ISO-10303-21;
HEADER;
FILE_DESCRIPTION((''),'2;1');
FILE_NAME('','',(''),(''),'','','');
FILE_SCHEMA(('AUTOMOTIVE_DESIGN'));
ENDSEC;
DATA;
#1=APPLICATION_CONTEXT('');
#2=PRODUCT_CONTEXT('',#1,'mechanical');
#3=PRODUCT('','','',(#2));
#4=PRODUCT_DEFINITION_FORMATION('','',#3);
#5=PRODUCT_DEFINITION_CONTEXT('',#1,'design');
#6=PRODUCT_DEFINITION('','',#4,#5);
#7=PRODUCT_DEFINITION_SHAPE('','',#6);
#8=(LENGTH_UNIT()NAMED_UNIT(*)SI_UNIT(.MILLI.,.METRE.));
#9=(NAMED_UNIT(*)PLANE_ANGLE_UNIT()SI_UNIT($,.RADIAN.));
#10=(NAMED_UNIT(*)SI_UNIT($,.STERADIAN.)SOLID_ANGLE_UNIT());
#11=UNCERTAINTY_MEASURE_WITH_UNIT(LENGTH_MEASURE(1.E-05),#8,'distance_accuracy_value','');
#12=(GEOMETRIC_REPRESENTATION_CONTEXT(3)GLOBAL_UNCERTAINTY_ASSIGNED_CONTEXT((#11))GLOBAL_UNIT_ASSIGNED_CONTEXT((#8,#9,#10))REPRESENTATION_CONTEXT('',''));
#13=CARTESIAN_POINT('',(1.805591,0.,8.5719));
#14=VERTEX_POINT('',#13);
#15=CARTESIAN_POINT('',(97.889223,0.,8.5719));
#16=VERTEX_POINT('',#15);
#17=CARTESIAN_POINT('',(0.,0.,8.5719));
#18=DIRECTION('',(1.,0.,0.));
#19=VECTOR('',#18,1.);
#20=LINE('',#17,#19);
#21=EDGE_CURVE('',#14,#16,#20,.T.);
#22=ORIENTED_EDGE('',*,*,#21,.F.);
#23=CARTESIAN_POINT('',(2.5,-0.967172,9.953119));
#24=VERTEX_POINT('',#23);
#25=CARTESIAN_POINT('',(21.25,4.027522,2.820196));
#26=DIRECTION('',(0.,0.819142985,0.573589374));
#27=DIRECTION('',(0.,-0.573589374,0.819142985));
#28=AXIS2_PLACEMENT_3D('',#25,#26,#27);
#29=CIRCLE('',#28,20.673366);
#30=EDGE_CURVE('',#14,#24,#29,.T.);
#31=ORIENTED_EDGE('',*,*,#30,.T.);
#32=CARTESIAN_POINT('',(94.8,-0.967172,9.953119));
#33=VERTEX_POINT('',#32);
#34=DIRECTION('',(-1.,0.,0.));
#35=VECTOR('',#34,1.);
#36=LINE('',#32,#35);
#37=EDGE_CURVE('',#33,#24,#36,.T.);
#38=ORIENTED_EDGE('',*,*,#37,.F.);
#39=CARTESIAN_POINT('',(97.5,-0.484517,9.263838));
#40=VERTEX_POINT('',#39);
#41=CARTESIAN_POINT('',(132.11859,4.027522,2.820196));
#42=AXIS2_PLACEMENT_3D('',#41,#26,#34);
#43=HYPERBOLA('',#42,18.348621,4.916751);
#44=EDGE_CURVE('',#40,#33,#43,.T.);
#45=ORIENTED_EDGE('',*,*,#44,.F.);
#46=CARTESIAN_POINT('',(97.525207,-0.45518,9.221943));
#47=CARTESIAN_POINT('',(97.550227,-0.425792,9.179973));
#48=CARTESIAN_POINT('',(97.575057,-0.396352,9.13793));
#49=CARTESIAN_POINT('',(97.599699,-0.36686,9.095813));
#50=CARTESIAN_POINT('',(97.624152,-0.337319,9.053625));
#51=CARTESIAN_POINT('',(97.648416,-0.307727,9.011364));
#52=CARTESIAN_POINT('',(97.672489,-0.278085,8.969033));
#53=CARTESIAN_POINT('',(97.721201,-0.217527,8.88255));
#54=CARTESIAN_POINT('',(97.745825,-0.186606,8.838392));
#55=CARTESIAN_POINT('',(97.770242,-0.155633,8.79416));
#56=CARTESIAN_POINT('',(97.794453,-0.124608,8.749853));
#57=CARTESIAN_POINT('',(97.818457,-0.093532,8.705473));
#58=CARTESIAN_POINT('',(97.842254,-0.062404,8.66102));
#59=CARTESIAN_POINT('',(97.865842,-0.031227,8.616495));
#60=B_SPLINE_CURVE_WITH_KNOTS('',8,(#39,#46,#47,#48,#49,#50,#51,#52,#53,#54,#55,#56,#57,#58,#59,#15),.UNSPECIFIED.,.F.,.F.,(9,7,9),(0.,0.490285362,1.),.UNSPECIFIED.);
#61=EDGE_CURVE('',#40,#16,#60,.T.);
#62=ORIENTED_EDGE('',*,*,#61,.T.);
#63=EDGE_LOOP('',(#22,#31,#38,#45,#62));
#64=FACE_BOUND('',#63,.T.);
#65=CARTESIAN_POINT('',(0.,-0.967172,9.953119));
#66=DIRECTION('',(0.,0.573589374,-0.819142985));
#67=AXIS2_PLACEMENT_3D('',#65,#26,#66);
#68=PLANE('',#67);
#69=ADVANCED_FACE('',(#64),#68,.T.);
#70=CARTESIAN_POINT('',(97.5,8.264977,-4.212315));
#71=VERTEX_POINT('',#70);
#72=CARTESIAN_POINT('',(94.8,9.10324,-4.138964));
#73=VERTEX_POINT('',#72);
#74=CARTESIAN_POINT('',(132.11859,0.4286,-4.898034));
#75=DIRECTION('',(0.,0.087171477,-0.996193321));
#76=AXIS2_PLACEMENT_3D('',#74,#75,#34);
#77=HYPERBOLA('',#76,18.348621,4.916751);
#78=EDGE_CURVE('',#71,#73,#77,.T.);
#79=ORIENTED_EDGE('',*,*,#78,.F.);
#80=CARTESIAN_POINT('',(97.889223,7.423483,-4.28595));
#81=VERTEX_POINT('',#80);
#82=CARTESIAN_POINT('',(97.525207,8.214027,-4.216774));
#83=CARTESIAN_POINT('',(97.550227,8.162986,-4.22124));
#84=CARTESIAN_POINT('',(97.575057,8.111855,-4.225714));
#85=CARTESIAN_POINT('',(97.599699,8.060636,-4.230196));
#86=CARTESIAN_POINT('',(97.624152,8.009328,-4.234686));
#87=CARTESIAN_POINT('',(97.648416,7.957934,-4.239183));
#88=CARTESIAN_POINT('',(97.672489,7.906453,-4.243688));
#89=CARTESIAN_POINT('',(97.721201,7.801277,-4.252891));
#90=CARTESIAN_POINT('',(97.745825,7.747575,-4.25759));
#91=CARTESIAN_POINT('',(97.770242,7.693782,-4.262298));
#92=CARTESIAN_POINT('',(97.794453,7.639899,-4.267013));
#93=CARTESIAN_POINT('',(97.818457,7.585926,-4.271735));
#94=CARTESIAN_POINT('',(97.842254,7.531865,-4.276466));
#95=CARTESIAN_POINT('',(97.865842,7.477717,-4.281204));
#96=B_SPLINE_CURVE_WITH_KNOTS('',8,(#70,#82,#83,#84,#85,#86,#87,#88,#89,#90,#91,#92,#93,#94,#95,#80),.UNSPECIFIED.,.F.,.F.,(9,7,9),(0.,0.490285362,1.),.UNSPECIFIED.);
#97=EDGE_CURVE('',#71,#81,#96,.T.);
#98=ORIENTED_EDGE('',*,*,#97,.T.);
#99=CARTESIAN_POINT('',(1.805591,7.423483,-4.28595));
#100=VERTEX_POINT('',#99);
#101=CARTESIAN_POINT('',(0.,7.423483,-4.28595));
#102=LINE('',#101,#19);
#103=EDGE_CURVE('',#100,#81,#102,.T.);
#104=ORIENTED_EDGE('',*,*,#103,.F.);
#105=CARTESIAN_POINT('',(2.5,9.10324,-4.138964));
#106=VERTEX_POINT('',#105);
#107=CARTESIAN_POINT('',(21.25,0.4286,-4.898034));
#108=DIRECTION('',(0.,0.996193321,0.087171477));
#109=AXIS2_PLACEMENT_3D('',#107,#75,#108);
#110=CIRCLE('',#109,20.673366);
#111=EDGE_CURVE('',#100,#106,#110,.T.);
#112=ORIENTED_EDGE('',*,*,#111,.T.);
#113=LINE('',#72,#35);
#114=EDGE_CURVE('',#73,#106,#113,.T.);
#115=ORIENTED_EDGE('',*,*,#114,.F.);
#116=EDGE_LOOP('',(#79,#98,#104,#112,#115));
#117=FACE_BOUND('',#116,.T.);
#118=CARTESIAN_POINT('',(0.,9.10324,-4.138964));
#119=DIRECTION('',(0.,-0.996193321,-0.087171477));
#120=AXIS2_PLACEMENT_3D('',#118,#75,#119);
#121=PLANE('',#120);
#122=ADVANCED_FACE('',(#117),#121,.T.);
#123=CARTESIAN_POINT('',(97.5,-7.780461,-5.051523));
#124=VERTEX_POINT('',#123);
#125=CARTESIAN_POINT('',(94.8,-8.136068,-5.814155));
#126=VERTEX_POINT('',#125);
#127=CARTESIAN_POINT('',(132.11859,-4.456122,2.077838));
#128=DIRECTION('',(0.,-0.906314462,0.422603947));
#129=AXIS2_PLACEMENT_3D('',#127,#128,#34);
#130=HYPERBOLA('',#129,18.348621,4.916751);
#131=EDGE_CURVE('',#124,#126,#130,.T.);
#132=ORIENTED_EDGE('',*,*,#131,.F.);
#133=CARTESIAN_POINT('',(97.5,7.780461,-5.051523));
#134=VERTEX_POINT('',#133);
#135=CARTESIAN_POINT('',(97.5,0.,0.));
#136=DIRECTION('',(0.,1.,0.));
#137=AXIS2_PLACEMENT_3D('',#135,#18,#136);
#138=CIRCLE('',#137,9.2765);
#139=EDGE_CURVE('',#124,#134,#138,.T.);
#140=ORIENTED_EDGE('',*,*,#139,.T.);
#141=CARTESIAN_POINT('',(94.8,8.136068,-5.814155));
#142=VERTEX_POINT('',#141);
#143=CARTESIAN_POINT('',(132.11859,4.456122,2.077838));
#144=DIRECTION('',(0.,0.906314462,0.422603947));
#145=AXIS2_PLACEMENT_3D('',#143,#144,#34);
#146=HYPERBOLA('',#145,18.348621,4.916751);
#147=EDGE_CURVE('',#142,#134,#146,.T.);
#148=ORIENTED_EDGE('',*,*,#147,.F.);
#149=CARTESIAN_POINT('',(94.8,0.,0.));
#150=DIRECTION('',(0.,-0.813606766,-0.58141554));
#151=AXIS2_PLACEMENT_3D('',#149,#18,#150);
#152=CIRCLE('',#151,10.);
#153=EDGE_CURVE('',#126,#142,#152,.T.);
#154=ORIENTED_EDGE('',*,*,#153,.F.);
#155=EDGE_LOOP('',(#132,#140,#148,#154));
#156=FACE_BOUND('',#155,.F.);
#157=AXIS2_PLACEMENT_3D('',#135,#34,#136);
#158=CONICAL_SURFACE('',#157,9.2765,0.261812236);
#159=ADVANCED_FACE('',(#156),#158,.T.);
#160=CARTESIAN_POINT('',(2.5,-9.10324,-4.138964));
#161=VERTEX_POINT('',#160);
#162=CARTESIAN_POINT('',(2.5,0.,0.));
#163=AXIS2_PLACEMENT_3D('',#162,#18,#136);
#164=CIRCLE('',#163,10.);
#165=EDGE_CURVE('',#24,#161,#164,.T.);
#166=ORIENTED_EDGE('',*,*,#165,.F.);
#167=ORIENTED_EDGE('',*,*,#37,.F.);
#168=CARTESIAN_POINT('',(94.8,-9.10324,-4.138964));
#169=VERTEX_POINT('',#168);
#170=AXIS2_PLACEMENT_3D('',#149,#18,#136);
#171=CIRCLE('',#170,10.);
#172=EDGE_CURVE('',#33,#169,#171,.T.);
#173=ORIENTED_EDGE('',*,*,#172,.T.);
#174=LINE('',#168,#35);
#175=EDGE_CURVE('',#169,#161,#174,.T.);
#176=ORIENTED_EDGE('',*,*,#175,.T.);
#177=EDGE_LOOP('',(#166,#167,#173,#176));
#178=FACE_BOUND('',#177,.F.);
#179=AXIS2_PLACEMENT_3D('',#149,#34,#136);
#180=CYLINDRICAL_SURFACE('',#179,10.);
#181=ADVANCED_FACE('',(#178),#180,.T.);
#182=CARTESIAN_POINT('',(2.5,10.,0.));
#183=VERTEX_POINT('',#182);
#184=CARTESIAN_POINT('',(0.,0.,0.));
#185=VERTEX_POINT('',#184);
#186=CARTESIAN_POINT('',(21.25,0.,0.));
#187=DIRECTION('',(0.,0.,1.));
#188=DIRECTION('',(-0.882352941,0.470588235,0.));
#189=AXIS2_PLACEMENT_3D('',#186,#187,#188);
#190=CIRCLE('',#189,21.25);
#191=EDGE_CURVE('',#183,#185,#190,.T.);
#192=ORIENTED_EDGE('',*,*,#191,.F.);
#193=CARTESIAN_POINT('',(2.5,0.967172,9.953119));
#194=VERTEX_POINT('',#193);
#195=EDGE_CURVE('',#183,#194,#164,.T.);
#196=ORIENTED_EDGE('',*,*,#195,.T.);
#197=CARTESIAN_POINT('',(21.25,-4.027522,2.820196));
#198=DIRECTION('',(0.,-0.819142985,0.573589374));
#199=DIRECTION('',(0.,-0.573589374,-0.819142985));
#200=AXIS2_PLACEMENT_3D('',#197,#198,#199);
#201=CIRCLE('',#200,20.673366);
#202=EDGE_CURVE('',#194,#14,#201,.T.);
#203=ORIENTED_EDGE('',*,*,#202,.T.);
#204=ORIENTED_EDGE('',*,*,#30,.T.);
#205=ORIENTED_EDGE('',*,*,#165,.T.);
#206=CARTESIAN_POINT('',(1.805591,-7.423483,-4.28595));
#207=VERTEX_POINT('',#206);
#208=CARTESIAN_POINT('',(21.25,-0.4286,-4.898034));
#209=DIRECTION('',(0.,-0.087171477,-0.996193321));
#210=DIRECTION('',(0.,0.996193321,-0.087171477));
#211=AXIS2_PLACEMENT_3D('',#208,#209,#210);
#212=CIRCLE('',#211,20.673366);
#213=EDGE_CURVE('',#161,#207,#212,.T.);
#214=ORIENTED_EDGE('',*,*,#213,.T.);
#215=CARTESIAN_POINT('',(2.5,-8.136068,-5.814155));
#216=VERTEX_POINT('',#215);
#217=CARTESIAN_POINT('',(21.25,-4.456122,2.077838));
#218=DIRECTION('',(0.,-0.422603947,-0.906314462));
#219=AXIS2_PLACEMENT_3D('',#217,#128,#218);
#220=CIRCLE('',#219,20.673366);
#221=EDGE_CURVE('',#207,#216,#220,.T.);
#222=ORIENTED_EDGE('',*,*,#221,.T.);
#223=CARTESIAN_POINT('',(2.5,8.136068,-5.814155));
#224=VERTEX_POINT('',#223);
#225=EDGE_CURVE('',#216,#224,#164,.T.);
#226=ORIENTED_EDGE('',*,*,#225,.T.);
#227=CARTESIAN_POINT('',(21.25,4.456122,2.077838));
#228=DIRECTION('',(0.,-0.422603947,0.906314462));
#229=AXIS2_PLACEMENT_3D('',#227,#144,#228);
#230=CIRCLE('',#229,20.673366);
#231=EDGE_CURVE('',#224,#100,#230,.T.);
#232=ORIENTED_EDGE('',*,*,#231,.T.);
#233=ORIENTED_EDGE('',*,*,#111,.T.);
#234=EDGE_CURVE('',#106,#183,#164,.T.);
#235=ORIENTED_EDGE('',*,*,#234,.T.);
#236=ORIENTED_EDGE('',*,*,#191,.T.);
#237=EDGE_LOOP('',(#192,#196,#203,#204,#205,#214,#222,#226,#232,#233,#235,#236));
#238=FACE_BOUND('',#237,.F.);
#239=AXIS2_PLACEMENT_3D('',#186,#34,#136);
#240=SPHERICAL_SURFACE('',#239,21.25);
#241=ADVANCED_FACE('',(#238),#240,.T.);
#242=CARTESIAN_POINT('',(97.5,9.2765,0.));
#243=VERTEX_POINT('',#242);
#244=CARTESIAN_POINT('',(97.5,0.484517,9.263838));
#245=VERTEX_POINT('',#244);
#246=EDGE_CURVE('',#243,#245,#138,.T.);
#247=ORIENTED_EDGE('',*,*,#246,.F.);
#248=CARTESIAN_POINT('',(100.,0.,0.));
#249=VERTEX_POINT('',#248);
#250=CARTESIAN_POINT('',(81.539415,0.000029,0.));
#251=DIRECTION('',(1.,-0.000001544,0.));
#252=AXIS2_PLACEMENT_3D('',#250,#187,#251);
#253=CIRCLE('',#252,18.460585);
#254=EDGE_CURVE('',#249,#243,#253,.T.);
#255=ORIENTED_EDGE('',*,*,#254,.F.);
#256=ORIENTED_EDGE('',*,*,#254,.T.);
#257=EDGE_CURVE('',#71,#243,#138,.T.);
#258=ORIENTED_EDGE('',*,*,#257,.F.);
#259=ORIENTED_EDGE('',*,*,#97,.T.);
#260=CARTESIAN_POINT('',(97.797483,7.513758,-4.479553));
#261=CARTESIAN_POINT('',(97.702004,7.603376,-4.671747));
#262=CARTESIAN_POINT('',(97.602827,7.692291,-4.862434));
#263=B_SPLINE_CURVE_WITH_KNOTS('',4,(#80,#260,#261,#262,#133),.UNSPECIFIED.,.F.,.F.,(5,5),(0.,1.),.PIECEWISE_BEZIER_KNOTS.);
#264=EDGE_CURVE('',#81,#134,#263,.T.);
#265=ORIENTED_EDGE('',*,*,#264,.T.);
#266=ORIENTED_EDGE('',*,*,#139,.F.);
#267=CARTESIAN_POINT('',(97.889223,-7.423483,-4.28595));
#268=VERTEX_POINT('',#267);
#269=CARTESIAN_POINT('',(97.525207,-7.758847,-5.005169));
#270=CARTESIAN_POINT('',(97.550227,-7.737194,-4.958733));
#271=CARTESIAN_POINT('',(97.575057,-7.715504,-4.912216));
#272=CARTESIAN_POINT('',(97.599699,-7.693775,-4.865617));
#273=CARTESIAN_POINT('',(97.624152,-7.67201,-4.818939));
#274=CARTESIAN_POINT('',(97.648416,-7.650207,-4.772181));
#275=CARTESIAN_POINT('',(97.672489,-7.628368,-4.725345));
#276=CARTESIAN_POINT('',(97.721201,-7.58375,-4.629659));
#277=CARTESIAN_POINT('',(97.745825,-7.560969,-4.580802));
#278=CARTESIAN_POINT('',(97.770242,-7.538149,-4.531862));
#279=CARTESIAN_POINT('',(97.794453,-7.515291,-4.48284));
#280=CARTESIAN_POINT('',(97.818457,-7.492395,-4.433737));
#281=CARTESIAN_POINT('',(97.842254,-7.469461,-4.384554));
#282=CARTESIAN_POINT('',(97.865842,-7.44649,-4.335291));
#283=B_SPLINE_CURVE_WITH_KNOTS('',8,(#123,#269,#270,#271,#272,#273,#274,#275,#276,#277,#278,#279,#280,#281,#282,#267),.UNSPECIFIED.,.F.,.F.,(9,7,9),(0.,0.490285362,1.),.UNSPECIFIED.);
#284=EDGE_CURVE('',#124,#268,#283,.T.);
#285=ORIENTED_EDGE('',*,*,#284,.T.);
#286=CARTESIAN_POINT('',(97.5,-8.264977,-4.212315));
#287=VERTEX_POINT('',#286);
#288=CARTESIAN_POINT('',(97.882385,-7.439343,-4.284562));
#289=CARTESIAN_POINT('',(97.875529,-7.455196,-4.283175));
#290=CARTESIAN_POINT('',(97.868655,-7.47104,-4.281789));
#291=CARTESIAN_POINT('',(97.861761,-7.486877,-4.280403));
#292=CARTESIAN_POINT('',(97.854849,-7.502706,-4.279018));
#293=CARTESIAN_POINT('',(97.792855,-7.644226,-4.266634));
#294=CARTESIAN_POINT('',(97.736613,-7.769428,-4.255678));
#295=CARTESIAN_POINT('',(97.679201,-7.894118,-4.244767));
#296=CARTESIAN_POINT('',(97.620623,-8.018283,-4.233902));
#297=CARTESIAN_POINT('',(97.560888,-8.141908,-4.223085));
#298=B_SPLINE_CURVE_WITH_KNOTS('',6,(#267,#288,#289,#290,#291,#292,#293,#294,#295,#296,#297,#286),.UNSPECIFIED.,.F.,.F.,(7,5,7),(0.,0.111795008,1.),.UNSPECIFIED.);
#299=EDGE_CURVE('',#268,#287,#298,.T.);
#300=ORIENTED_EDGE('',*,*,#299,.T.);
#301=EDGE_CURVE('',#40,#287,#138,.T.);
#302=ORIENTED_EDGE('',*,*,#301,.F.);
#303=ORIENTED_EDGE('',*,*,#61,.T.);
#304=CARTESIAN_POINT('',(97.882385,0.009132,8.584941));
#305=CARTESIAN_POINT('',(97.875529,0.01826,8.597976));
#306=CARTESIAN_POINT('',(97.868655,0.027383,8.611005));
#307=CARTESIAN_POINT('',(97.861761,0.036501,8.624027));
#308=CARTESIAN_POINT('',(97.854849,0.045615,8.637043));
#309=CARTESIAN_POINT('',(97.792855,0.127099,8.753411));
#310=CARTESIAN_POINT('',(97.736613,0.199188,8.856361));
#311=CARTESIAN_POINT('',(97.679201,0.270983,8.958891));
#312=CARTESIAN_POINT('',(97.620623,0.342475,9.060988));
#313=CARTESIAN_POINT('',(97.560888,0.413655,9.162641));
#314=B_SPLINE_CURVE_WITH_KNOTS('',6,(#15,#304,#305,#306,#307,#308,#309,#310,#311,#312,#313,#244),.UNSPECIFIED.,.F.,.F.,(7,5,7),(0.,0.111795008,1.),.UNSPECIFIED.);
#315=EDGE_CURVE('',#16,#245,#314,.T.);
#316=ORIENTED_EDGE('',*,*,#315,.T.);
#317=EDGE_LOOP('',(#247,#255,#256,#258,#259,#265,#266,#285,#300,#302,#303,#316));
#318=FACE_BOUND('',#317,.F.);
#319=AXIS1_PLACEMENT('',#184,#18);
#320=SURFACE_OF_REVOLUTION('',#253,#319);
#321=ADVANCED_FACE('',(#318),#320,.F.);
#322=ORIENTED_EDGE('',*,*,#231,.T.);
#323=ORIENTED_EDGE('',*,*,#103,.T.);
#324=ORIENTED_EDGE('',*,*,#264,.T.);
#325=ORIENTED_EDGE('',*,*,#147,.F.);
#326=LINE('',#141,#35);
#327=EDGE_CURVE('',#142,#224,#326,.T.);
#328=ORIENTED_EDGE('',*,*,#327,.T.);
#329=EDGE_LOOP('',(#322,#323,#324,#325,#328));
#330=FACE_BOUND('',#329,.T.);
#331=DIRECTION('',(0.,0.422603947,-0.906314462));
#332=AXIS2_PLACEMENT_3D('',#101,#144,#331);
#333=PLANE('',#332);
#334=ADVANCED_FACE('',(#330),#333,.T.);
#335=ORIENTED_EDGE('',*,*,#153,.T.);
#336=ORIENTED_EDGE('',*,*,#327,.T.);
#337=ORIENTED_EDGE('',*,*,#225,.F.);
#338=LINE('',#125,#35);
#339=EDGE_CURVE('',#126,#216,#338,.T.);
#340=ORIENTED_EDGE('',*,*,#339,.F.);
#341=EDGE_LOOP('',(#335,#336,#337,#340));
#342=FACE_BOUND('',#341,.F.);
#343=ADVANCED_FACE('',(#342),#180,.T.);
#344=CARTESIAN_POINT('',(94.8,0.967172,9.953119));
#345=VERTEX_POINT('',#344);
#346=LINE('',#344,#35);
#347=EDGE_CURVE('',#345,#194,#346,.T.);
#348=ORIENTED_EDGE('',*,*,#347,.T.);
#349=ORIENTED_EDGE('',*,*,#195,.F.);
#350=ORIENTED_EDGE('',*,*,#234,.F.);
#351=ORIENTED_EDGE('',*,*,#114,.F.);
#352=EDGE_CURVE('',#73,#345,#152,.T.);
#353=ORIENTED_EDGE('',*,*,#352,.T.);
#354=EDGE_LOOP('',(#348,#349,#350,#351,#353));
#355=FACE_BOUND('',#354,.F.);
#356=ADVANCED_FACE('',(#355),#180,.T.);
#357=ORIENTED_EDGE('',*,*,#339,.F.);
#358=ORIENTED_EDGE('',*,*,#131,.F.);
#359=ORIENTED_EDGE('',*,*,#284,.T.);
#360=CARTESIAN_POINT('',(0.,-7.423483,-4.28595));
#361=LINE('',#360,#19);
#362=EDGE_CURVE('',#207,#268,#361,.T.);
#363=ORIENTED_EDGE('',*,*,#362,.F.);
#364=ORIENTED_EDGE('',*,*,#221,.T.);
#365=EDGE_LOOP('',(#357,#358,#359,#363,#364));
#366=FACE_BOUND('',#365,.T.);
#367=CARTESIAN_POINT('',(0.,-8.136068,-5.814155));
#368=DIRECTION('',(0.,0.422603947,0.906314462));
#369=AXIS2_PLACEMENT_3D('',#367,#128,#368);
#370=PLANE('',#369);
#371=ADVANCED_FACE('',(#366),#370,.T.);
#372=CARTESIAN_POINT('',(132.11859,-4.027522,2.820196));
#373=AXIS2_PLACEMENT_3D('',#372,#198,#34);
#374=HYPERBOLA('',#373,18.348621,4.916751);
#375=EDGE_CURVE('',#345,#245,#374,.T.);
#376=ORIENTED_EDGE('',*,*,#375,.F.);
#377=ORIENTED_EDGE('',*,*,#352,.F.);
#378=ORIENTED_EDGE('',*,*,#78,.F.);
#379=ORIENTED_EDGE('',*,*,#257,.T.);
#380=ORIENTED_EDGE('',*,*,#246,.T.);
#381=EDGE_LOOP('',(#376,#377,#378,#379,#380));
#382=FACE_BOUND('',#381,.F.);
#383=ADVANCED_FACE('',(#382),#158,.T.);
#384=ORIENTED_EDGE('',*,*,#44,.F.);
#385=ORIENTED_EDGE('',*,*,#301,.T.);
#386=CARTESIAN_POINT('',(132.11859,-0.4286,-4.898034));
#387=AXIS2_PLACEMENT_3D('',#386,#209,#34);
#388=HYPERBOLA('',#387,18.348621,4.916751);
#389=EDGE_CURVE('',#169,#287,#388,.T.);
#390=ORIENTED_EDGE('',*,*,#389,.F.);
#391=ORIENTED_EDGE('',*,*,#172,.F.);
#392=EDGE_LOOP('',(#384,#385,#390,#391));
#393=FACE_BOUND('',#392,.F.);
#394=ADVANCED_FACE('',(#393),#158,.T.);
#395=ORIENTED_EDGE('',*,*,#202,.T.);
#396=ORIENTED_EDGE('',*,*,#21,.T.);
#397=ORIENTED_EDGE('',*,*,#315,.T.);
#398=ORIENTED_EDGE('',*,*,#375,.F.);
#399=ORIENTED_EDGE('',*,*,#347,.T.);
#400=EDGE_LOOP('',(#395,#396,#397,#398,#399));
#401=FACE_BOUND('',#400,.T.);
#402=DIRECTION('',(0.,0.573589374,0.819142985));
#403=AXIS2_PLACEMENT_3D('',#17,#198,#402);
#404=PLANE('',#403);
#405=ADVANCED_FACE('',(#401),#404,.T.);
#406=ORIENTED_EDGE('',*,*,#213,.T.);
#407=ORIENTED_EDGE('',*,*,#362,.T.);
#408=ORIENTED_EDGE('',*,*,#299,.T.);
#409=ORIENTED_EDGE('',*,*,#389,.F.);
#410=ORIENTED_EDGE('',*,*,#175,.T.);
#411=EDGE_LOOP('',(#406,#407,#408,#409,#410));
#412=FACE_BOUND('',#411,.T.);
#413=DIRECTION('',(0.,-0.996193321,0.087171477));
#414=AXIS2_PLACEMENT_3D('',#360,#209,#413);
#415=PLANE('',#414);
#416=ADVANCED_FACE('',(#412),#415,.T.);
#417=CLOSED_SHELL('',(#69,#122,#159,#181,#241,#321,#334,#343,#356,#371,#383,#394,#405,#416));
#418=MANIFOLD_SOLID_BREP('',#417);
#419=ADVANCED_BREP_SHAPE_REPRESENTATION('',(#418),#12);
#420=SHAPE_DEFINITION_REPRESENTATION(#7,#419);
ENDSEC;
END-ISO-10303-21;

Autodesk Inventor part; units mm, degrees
ref_plane "YZ Plane" through (0, 0, 0) normal (1, 0, 0) x (0, 1, 0)
ref_plane "XZ Plane" through (0, 0, 0) normal (0, 1, 0) x (-1, 0, 0)
ref_plane "XY Plane" through (0, 0, 0) normal (0, 0, 1) x (1, 0, 0)
sketch "Sketch1" plane through (0, 0, 0) normal (0, 0, 1) x (1, 0, 0)
  line L0 (97.5, 9.2765) -> (94.8, 10)
  line L1 (94.8, 10) -> (2.5, 10)
  line L2 (0, 0) -> (100, 0)
  arc A0 (100, 0) -> (97.5, 9.2765) centre (81.5392, 0) ccw
  arc A1 (2.5, 10) -> (0, 0) centre (21.25, 0) ccw
  dimension "d0" = 100
  dimension "d1" = 20
  dimension "d2" = 5.2
  dimension "d3" = 15
  dimension "d4" = 2.5
  dimension "d5" = 2.5
revolve "Body" add sketch "Sketch1" angle 360 about axis through (0, 0, 0) along (1, 0, 0)
sketch "Sketch2" plane through (0, 0, 0) normal (1, 0, 0) x (0, 1, 0)
  circle A0 centre (0, 0) radius 10 projected
  line L0 (0, 10) -> (-1, 10)
  line L1 (0, 10) -> (1, 10)
  line L2 (-1, 10) -> (0, 8.5719)
  line L3 (0, 8.5719) -> (1, 10)
  line L4 (0, -14) -> (0, 14) projected
  dimension "d6" = 35
  dimension "d7" = 35
  dimension "d8" = 1
extrude "Groove" cut sketch "Sketch2" along normal through all contours L3 L4 A0 | A0 L1 L3 | L4 L2 A0 | A0 L2 L0 picked at (0.5375, 9.5014) picked at (-0.5375, 9.5014)
pattern_circular "Grooves" count 3 over 360 about axis through (-10, 0, 0) along (1, 0, 0) of "Groove"
equation "\"d0\" = NLG"
equation "\"d1\" = NND"
equation "\"d2\" = PHH"
equation "\"d3\" = FAWI"
equation "\"d4\" = KAH"
equation "\"d5\" = KAH"
equation "\"d8\" = 0.05 * NND"
equation "\"NND\" = 20"
equation "\"NLG\" = 100"
equation "\"PHH\" = 5.2"
equation "\"FAWI\" = 15deg"
equation "\"KAH\" = 2.5"
equation "\"d13\" = -KAH"
equation "\"d28\" = KAH"
equation "\"NND1\" = 20.5"
equation "\"KAH1\" = 2"
equation "\"NLG1\" = 98"
properties part number "ISO 8740 - 20 x 100" material "Stainless Steel, Austenitic"
